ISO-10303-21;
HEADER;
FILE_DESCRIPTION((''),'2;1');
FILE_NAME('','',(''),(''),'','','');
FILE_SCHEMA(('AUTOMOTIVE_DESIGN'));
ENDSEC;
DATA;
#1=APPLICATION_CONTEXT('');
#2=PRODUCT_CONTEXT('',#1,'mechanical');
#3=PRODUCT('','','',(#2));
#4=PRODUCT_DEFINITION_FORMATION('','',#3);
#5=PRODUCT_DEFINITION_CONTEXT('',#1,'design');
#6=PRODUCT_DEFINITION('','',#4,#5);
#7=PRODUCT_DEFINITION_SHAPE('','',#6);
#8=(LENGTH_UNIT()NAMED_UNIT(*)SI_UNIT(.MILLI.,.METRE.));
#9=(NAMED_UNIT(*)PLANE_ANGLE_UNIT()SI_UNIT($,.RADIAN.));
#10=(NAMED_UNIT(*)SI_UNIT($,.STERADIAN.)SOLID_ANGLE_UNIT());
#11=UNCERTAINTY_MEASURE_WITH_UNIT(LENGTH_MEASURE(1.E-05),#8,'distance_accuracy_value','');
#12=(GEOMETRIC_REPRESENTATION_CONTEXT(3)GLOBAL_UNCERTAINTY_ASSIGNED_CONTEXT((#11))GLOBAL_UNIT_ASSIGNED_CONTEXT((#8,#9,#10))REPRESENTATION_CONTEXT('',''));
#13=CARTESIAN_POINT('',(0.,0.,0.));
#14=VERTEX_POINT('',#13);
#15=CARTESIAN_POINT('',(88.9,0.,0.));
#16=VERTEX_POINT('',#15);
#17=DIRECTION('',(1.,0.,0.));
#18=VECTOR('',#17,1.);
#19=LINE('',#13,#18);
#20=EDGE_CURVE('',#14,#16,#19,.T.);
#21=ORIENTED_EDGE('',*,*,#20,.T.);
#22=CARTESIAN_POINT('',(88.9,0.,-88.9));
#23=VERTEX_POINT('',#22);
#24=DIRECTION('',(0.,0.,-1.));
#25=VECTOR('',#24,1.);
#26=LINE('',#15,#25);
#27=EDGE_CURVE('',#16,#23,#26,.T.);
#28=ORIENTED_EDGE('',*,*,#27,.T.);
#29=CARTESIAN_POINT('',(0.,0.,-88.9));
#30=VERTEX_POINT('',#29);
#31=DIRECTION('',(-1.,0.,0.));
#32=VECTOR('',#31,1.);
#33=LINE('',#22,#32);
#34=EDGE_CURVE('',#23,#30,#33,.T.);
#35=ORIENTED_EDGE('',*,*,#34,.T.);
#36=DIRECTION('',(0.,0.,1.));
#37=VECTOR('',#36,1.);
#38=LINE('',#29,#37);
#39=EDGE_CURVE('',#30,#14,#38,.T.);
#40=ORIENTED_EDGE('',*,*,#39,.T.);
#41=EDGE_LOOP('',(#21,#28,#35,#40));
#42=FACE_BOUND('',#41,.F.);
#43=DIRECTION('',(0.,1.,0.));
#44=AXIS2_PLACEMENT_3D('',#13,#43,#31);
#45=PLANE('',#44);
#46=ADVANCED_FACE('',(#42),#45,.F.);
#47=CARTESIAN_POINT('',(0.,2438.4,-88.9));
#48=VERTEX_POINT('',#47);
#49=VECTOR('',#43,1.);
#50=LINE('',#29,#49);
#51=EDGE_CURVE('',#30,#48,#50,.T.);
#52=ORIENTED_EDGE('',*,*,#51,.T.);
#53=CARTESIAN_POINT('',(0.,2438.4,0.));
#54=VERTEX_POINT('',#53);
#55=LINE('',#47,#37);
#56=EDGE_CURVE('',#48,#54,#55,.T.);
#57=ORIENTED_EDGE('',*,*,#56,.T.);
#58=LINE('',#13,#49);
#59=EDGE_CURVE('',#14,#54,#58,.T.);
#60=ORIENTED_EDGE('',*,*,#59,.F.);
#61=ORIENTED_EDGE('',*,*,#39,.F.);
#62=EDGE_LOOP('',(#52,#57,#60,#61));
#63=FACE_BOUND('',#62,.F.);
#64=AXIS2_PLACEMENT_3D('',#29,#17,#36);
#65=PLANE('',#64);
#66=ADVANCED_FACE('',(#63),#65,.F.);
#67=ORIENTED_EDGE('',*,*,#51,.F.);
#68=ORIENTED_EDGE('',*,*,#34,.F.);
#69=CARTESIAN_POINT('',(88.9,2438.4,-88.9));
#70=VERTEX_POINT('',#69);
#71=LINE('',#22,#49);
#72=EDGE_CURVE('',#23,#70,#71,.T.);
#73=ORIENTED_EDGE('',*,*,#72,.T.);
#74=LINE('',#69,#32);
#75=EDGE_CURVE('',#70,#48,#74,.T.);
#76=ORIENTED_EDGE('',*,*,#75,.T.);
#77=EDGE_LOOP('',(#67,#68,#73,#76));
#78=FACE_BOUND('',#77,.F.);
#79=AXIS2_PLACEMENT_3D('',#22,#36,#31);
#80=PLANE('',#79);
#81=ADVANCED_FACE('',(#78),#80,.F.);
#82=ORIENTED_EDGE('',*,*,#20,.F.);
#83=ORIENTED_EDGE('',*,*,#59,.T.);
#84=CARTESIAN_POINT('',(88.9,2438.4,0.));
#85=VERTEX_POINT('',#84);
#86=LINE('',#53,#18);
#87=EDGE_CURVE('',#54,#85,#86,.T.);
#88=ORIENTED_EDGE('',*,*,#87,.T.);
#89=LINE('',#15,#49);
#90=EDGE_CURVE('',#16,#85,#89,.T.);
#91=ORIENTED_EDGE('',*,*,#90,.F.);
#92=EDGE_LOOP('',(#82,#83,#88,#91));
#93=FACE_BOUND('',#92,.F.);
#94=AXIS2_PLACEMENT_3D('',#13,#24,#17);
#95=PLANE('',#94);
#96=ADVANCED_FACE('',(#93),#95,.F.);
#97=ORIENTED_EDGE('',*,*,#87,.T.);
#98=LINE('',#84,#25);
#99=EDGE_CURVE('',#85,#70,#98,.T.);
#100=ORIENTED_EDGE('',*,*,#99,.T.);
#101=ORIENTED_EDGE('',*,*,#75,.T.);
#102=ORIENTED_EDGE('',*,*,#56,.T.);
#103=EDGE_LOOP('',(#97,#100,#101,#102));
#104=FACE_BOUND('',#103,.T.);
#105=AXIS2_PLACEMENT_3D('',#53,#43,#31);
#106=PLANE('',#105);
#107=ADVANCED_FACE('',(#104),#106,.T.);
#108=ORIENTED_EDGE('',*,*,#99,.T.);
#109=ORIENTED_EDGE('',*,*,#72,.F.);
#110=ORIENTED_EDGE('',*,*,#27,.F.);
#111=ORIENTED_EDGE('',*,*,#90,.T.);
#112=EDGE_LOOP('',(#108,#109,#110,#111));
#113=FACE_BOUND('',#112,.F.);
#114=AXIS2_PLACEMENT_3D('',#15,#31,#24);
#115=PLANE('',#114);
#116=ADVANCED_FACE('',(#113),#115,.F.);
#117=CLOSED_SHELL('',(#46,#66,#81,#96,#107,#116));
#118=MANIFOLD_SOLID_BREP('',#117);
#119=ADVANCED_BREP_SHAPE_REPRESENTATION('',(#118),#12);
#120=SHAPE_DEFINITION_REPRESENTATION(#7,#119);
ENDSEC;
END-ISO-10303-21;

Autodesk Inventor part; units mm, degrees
ref_plane "YZ Plane" through (0, 0, 0) normal (1, 0, 0) x (0, 1, 0)
ref_plane "XZ Plane" through (0, 0, 0) normal (0, 1, 0) x (-1, 0, 0)
ref_plane "XY Plane" through (0, 0, 0) normal (0, 0, 1) x (1, 0, 0)
sketch "Sketch1" plane through (0, 0, 0) normal (0, 1, 0) x (-1, 0, 0)
  line L0 (0, 0) -> (-88.9, 0)
  line L1 (-88.9, 0) -> (-88.9, -88.9)
  line L2 (-88.9, -88.9) -> (0, -88.9)
  line L3 (0, -88.9) -> (0, 0)
  dimension "d0" = 88.9
  dimension "d1" = 88.9
extrude "Extrusion1" add sketch "Sketch1" along normal blind 2438.4
properties part number "Post Stick"
